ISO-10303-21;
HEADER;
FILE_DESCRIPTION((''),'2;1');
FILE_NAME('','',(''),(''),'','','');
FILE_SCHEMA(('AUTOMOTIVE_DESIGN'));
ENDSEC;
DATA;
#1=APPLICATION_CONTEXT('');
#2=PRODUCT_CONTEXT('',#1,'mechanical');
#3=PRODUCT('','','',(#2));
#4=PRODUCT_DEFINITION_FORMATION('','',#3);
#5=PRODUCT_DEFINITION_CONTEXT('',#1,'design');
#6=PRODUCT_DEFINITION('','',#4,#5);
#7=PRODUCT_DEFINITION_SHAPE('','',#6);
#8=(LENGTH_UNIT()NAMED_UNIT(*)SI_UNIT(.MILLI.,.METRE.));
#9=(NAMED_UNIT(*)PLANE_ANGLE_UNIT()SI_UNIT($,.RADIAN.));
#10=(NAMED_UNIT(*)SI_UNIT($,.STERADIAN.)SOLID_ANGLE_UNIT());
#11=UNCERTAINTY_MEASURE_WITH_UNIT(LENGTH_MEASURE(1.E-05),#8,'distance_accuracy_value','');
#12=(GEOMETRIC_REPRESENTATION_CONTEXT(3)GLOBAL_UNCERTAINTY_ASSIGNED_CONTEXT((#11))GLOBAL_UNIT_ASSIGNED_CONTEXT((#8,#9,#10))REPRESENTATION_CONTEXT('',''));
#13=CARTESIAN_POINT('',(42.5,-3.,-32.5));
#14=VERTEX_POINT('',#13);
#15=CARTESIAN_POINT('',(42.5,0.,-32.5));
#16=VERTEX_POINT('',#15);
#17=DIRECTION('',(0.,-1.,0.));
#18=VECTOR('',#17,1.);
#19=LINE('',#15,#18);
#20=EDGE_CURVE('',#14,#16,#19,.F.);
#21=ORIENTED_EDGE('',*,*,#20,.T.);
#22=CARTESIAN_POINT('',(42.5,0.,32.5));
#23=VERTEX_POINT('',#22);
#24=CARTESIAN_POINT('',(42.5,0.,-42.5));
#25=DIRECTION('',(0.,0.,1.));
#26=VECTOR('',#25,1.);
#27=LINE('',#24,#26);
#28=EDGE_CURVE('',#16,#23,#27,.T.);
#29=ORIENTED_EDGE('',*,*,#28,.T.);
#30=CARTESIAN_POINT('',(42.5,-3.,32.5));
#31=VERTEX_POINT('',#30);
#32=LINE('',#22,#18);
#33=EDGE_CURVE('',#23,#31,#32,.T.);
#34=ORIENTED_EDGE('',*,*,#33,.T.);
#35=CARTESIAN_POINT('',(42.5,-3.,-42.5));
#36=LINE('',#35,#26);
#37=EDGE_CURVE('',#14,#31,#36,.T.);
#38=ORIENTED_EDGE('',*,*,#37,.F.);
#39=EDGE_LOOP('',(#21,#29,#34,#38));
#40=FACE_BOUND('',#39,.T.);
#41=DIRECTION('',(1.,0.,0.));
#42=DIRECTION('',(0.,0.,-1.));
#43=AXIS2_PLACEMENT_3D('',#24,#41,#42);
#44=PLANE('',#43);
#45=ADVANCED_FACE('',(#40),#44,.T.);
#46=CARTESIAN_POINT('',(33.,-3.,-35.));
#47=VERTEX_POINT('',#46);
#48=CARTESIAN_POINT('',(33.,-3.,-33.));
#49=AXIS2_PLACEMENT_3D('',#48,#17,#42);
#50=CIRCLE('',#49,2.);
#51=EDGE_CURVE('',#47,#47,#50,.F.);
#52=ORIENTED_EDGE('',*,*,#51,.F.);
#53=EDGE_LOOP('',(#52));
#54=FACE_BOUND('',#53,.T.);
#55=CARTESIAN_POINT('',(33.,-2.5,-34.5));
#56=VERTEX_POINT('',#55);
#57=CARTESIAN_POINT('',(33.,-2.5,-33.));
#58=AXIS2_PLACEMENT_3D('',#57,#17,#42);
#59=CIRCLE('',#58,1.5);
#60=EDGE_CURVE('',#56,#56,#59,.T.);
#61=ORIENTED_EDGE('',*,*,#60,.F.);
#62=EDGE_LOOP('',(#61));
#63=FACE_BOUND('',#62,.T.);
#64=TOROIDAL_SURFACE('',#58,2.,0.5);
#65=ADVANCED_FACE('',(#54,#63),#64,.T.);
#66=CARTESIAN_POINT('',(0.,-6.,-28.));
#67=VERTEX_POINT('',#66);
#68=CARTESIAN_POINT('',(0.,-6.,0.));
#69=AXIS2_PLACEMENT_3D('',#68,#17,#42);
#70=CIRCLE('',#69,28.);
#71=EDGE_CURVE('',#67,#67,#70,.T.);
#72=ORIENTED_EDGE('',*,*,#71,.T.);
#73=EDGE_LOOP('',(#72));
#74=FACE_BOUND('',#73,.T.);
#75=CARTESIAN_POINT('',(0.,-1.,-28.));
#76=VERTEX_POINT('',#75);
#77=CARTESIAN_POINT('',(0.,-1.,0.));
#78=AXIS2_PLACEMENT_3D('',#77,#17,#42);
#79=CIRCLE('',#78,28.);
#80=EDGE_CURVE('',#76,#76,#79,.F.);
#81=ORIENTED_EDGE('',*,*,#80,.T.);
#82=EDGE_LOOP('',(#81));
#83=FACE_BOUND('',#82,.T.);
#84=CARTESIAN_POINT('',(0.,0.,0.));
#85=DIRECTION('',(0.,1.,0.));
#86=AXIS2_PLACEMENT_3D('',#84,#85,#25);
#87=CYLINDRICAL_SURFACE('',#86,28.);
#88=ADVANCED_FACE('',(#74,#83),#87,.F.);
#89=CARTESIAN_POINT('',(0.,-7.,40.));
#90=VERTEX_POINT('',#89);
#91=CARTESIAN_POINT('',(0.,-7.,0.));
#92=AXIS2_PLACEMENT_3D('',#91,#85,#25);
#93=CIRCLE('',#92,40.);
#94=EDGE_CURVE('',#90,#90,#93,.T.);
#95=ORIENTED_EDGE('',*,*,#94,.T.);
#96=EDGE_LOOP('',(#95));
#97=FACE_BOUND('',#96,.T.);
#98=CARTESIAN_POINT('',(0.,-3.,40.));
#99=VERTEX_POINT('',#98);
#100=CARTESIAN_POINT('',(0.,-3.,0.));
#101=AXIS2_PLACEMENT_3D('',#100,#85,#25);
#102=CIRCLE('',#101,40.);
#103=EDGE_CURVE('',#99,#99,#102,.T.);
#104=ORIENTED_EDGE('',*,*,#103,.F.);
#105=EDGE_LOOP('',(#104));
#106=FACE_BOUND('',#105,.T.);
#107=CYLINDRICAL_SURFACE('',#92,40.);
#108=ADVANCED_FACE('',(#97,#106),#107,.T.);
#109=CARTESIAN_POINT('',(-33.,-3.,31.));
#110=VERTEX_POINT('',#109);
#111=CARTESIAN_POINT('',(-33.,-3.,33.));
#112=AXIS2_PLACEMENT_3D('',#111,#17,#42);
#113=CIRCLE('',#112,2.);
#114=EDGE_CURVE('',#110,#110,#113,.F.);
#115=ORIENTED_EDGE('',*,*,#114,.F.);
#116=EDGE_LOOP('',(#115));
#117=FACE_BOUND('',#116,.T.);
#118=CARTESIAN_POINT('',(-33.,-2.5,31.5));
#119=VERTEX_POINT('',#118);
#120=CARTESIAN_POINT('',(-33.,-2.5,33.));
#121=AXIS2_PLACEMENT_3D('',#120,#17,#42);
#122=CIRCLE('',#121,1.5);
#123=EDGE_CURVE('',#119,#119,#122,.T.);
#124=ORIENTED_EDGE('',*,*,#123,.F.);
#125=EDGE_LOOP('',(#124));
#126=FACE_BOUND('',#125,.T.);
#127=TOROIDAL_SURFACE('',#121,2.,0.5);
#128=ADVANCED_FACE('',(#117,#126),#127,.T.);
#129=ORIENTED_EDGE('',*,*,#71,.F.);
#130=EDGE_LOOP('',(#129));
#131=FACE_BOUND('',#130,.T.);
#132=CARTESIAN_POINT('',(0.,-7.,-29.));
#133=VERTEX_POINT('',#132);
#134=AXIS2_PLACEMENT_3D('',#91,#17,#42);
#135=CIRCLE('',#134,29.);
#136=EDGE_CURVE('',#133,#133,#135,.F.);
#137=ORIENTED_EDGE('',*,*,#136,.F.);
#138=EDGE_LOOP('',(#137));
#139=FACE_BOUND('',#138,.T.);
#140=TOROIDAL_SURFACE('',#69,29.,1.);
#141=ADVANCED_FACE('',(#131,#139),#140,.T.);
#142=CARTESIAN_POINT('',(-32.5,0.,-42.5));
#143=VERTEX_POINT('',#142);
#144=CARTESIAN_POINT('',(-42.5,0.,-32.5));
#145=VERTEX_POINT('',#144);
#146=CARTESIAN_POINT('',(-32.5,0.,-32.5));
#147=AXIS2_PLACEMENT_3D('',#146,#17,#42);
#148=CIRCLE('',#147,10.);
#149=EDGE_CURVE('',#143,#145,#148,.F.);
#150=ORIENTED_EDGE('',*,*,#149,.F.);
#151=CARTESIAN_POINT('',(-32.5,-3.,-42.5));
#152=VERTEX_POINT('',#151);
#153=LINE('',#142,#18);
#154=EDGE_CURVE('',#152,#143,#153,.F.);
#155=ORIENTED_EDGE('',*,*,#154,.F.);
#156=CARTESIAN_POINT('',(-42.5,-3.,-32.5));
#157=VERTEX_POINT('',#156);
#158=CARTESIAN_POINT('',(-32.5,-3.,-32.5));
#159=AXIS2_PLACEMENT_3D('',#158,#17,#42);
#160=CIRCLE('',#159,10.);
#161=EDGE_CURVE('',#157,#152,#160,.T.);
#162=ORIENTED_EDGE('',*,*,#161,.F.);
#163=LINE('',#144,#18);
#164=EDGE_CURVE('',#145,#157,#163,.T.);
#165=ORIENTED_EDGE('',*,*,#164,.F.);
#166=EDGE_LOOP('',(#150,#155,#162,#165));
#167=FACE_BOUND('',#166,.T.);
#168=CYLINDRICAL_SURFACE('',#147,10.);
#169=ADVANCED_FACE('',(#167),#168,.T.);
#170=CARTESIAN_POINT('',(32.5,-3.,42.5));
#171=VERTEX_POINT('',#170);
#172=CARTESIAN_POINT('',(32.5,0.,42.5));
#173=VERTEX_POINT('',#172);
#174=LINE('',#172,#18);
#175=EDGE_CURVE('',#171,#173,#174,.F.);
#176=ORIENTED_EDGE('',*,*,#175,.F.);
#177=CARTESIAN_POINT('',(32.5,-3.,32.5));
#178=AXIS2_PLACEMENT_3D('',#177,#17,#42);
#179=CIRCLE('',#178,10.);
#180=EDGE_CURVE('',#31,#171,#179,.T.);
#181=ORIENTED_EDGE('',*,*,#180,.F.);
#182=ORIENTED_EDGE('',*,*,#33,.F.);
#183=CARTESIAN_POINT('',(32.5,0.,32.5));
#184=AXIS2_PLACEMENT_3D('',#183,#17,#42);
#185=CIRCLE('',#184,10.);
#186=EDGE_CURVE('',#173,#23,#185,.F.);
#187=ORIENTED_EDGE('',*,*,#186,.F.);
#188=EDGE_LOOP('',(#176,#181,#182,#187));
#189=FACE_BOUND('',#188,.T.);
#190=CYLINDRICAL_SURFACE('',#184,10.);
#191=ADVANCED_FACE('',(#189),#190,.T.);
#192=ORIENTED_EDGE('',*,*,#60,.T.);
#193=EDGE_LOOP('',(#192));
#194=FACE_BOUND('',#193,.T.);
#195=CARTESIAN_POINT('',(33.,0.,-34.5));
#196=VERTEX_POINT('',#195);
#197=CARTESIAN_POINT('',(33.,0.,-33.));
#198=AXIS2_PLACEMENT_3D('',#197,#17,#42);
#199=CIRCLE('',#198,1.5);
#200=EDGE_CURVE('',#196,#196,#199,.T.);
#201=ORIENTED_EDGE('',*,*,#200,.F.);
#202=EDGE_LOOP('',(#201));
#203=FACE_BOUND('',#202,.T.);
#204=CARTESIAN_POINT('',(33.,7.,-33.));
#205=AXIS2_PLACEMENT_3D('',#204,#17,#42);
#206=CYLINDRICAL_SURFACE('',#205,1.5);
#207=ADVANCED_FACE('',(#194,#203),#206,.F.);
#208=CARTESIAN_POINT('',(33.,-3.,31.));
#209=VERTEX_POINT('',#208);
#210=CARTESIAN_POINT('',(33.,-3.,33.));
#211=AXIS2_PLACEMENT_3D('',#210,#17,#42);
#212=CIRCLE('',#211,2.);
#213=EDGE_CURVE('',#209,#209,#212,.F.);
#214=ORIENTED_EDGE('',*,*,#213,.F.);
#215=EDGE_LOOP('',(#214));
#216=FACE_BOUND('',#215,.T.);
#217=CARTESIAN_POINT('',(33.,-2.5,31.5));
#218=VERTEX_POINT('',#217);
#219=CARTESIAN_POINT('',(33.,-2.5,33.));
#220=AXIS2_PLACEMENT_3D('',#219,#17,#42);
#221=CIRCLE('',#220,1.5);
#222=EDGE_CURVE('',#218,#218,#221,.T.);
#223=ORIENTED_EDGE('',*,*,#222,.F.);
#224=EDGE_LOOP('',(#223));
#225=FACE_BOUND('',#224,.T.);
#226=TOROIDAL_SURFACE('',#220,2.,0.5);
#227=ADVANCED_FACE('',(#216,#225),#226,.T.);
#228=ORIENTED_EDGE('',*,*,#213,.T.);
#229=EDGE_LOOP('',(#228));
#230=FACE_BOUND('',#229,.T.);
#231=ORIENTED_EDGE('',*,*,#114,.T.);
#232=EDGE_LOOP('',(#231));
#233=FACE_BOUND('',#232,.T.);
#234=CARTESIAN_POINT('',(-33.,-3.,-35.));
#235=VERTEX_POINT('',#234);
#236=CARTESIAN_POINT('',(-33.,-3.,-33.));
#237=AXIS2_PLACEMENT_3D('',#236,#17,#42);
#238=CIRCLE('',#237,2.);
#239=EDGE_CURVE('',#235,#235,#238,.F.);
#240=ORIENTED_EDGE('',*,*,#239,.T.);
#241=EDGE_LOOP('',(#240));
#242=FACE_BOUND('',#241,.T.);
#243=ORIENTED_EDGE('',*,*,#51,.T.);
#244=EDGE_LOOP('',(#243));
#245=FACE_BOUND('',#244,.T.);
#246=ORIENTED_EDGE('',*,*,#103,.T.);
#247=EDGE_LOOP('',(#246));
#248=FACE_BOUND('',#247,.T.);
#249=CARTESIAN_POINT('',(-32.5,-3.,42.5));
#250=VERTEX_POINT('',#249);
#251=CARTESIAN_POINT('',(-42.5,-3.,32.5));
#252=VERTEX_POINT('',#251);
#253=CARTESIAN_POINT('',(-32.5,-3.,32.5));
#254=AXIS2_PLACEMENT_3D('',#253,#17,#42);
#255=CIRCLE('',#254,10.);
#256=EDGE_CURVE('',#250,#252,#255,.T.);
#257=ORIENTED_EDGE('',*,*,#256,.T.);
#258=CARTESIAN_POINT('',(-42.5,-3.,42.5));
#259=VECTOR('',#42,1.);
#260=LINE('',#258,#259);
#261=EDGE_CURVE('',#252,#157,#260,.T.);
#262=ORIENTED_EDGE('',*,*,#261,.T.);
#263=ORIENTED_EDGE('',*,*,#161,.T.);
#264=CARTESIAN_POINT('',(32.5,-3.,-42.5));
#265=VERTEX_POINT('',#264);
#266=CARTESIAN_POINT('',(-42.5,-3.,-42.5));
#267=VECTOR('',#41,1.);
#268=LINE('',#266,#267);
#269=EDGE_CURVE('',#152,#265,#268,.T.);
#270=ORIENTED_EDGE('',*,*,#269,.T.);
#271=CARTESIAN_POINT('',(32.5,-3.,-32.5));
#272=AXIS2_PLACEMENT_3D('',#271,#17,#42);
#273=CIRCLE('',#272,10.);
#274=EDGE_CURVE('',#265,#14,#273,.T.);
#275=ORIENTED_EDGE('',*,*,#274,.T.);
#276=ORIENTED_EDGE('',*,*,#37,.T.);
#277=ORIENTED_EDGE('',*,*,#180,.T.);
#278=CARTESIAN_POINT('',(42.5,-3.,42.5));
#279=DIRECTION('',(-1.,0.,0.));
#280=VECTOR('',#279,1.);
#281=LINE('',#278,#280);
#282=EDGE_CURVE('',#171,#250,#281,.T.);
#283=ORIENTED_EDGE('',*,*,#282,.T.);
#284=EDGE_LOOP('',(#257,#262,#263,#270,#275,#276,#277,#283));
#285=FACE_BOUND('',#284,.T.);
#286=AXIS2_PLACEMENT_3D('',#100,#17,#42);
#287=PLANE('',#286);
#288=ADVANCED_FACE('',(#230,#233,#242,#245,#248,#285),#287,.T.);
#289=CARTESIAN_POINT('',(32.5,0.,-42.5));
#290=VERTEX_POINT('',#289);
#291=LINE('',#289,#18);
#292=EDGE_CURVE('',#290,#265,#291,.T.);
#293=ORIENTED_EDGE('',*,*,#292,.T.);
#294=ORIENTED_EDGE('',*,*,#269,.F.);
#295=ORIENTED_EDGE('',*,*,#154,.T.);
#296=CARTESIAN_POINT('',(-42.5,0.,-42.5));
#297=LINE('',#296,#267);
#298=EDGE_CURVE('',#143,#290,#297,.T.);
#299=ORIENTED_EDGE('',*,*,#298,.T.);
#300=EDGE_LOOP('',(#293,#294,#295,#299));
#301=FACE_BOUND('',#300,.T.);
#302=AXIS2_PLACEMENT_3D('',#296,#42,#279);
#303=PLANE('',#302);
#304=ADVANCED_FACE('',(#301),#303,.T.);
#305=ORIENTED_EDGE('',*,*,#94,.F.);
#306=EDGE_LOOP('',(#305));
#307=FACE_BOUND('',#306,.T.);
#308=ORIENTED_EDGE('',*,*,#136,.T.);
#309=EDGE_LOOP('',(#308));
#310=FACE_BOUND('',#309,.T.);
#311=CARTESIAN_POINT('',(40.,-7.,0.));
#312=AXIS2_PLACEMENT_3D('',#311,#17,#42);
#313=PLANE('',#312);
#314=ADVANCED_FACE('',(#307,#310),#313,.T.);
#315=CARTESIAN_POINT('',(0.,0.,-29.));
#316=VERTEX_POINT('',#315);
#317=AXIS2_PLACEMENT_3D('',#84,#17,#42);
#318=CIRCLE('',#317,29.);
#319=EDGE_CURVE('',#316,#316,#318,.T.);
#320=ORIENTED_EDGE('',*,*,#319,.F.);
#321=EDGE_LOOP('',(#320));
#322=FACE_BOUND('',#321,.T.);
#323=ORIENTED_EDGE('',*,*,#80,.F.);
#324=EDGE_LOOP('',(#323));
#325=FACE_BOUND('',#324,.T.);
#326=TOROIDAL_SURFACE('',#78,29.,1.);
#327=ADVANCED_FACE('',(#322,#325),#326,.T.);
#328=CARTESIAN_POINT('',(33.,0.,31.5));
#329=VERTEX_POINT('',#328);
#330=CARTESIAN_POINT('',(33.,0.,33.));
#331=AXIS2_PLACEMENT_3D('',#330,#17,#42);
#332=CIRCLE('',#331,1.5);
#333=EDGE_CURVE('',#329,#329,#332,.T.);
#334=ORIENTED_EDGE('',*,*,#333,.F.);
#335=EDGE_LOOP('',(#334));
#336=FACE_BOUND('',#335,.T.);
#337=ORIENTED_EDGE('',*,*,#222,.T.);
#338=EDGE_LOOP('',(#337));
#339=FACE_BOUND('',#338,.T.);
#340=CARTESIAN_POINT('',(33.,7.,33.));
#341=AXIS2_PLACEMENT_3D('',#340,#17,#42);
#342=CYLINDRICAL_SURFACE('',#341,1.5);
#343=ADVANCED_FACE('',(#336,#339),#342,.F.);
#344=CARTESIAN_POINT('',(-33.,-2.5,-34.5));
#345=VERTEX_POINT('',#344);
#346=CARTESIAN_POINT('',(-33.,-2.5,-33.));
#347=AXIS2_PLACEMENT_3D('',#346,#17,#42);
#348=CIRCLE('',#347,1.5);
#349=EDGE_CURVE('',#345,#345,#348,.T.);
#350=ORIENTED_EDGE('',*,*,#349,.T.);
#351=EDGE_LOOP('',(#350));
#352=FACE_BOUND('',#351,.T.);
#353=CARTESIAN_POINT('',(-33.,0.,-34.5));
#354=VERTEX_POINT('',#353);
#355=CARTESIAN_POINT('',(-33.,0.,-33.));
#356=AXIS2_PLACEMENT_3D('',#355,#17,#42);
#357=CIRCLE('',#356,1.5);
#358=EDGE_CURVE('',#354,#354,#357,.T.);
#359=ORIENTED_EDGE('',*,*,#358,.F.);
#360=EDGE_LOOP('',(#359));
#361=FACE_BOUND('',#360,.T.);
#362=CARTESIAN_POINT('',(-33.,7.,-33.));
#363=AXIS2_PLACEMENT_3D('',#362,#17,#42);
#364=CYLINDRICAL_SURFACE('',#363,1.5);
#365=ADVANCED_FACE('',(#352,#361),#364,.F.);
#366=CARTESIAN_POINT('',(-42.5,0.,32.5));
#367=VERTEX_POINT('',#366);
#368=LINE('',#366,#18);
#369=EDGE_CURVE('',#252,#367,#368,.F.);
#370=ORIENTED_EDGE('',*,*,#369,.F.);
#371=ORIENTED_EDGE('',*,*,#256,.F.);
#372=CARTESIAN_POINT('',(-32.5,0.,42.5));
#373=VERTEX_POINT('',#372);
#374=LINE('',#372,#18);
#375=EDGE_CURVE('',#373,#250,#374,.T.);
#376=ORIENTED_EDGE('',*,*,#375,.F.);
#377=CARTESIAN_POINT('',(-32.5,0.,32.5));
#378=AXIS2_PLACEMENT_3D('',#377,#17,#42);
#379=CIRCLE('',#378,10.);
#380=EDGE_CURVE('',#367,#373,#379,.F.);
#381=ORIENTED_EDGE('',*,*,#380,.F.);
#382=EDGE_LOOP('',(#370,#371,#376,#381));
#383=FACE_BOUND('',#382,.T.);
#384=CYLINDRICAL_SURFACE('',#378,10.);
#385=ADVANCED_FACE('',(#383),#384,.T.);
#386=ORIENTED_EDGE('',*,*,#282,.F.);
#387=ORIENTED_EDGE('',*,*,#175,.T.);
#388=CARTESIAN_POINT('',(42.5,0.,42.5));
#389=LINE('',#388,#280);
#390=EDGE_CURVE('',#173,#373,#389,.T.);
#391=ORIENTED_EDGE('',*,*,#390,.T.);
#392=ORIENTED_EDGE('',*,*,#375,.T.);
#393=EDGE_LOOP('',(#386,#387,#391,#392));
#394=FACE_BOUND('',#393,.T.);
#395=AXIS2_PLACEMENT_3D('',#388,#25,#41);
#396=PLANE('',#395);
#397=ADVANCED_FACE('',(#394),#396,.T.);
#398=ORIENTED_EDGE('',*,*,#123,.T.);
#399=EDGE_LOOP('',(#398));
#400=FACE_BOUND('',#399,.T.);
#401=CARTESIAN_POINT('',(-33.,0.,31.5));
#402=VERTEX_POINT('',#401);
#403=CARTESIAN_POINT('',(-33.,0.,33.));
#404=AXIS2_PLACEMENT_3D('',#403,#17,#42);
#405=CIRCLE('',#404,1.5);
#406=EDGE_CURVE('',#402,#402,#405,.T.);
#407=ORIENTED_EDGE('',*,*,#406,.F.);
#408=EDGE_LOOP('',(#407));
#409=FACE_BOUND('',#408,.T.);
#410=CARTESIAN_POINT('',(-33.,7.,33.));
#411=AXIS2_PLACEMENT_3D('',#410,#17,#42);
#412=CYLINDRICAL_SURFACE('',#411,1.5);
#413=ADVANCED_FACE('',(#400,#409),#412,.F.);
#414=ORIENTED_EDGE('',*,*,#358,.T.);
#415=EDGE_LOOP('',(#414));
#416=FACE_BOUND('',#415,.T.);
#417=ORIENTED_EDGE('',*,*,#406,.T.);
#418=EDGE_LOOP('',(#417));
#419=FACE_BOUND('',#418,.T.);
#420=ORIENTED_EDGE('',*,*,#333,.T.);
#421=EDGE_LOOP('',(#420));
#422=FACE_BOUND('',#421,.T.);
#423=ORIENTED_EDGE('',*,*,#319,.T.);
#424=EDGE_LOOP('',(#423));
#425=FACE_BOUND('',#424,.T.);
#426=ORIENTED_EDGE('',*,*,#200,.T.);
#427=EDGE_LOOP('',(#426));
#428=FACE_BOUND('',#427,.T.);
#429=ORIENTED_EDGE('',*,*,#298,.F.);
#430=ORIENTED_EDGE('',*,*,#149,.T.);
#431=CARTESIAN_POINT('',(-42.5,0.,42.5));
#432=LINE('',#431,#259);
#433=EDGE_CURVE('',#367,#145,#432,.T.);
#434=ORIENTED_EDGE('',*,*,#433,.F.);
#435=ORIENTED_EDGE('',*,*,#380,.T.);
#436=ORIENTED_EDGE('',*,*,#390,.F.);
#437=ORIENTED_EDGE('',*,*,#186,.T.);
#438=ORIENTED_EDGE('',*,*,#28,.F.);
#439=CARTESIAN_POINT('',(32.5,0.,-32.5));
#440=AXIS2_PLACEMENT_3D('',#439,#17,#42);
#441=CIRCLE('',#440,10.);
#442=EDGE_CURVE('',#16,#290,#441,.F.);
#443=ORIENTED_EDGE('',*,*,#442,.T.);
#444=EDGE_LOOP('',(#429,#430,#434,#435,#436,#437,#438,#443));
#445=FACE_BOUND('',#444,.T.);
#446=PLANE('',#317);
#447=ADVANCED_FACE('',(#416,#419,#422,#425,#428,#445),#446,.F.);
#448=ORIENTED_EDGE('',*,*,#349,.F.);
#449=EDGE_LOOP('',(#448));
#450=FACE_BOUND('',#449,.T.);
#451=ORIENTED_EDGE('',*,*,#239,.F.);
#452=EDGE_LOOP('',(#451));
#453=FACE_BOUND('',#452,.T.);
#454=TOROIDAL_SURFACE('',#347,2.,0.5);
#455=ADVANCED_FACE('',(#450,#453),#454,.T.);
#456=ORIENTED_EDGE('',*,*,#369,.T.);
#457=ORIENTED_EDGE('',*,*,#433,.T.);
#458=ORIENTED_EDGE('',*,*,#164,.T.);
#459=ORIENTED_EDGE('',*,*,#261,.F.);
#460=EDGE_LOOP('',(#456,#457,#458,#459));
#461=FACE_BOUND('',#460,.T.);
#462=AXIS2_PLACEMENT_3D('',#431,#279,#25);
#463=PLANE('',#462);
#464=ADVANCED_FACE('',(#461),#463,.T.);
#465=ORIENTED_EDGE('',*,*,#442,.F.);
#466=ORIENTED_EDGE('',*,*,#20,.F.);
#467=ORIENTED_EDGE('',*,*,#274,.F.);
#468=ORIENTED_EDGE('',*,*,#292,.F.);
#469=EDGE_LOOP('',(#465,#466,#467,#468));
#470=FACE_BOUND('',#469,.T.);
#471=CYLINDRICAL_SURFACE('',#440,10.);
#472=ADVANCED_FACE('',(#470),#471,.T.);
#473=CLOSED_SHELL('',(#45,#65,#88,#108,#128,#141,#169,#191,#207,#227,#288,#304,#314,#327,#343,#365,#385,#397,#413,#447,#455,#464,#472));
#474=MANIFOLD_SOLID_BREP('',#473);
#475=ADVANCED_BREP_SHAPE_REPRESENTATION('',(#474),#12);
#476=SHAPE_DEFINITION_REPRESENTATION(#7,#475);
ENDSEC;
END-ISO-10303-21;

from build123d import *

# Parameters (mm, degrees)
ESBO_O1_W                = 85
ESBO_O1_H                = 85
RESSALTO_EXTRUS_O1_DEPTH = 3
ESBO_O2_W                = 40
ESBO_O2_H                = 4
FURO_COM_FOLGA_DE_M521_D = 56
FILETE1_R                = 1
FILETE2_R                = 10
ESBO_O5_R                = 1.5
CORTE_EXTRUS_O1_DEPTH    = 10
FILETE3_R                = 0.5


with BuildPart() as part:
    # Esboço1 → Ressalto-extrusão1 (new body)
    with BuildSketch(Plane.XZ.offset(3)):
        Rectangle(ESBO_O1_W, ESBO_O1_H)
    extrude(amount=-RESSALTO_EXTRUS_O1_DEPTH)

    # Esboço2 → Revolução1 (revolve)
    with BuildSketch(Plane(origin=(0, 0, 0), x_dir=(-1, 0, 0), z_dir=(0, 0, -1)), mode=Mode.PRIVATE) as revolu_o1_sk:
        with Locations((-20, -5)):
            Rectangle(ESBO_O2_W, ESBO_O2_H)
    revolve(revolu_o1_sk.sketch.rotate(Axis((0, -7, 0), (0, 1, 0)), 270), axis=Axis((0, -7, 0), (0, 1, 0)))

    # Furo com folga de M521 (through all)
    with Locations(Plane(origin=(0, 0, 0), x_dir=(1, 0, 0), z_dir=(0, 1, 0))):
        with Locations((0, 0)):
            Hole(FURO_COM_FOLGA_DE_M521_D / 2)

    # Filete1
    filete1_edges = [part.edges().sort_by_distance(p)[0] for p in [
        (28, 0, 0),
        (28, -7, 0),
    ]]
    fillet(filete1_edges, radius=FILETE1_R)

    # Filete2
    filete2_edges = [part.edges().sort_by_distance(p)[0] for p in [
        (42.5, -1.5, 42.5),
        (42.5, -1.5, -42.5),
        (-42.5, -1.5, -42.5),
        (-42.5, -1.5, 42.5),
    ]]
    fillet(filete2_edges, radius=FILETE2_R)

    # Esboço5 → Corte-extrusão1 (cut)
    with BuildSketch(Plane.XZ.offset(3)):
        with Locations(Location((33, 33, 0), (0, 0, 270))):
            Circle(ESBO_O5_R)
        with Locations(Location((33, -33, 0), (0, 0, 270))):
            Circle(ESBO_O5_R)
        with Locations(Location((-33, 33, 0), (0, 0, 270))):
            Circle(ESBO_O5_R)
        with Locations(Location((-33, -33, 0), (0, 0, 270))):
            Circle(ESBO_O5_R)
    extrude(amount=-CORTE_EXTRUS_O1_DEPTH, mode=Mode.SUBTRACT)

    # Filete3
    filete3_edges = [part.edges().sort_by_distance(p)[0] for p in [
        (33, -3, -31.5),
        (-33, -3, 34.5),
        (-33, -3, -31.5),
        (33, -3, 34.5),
    ]]
    fillet(filete3_edges, radius=FILETE3_R)


solid = part.part
